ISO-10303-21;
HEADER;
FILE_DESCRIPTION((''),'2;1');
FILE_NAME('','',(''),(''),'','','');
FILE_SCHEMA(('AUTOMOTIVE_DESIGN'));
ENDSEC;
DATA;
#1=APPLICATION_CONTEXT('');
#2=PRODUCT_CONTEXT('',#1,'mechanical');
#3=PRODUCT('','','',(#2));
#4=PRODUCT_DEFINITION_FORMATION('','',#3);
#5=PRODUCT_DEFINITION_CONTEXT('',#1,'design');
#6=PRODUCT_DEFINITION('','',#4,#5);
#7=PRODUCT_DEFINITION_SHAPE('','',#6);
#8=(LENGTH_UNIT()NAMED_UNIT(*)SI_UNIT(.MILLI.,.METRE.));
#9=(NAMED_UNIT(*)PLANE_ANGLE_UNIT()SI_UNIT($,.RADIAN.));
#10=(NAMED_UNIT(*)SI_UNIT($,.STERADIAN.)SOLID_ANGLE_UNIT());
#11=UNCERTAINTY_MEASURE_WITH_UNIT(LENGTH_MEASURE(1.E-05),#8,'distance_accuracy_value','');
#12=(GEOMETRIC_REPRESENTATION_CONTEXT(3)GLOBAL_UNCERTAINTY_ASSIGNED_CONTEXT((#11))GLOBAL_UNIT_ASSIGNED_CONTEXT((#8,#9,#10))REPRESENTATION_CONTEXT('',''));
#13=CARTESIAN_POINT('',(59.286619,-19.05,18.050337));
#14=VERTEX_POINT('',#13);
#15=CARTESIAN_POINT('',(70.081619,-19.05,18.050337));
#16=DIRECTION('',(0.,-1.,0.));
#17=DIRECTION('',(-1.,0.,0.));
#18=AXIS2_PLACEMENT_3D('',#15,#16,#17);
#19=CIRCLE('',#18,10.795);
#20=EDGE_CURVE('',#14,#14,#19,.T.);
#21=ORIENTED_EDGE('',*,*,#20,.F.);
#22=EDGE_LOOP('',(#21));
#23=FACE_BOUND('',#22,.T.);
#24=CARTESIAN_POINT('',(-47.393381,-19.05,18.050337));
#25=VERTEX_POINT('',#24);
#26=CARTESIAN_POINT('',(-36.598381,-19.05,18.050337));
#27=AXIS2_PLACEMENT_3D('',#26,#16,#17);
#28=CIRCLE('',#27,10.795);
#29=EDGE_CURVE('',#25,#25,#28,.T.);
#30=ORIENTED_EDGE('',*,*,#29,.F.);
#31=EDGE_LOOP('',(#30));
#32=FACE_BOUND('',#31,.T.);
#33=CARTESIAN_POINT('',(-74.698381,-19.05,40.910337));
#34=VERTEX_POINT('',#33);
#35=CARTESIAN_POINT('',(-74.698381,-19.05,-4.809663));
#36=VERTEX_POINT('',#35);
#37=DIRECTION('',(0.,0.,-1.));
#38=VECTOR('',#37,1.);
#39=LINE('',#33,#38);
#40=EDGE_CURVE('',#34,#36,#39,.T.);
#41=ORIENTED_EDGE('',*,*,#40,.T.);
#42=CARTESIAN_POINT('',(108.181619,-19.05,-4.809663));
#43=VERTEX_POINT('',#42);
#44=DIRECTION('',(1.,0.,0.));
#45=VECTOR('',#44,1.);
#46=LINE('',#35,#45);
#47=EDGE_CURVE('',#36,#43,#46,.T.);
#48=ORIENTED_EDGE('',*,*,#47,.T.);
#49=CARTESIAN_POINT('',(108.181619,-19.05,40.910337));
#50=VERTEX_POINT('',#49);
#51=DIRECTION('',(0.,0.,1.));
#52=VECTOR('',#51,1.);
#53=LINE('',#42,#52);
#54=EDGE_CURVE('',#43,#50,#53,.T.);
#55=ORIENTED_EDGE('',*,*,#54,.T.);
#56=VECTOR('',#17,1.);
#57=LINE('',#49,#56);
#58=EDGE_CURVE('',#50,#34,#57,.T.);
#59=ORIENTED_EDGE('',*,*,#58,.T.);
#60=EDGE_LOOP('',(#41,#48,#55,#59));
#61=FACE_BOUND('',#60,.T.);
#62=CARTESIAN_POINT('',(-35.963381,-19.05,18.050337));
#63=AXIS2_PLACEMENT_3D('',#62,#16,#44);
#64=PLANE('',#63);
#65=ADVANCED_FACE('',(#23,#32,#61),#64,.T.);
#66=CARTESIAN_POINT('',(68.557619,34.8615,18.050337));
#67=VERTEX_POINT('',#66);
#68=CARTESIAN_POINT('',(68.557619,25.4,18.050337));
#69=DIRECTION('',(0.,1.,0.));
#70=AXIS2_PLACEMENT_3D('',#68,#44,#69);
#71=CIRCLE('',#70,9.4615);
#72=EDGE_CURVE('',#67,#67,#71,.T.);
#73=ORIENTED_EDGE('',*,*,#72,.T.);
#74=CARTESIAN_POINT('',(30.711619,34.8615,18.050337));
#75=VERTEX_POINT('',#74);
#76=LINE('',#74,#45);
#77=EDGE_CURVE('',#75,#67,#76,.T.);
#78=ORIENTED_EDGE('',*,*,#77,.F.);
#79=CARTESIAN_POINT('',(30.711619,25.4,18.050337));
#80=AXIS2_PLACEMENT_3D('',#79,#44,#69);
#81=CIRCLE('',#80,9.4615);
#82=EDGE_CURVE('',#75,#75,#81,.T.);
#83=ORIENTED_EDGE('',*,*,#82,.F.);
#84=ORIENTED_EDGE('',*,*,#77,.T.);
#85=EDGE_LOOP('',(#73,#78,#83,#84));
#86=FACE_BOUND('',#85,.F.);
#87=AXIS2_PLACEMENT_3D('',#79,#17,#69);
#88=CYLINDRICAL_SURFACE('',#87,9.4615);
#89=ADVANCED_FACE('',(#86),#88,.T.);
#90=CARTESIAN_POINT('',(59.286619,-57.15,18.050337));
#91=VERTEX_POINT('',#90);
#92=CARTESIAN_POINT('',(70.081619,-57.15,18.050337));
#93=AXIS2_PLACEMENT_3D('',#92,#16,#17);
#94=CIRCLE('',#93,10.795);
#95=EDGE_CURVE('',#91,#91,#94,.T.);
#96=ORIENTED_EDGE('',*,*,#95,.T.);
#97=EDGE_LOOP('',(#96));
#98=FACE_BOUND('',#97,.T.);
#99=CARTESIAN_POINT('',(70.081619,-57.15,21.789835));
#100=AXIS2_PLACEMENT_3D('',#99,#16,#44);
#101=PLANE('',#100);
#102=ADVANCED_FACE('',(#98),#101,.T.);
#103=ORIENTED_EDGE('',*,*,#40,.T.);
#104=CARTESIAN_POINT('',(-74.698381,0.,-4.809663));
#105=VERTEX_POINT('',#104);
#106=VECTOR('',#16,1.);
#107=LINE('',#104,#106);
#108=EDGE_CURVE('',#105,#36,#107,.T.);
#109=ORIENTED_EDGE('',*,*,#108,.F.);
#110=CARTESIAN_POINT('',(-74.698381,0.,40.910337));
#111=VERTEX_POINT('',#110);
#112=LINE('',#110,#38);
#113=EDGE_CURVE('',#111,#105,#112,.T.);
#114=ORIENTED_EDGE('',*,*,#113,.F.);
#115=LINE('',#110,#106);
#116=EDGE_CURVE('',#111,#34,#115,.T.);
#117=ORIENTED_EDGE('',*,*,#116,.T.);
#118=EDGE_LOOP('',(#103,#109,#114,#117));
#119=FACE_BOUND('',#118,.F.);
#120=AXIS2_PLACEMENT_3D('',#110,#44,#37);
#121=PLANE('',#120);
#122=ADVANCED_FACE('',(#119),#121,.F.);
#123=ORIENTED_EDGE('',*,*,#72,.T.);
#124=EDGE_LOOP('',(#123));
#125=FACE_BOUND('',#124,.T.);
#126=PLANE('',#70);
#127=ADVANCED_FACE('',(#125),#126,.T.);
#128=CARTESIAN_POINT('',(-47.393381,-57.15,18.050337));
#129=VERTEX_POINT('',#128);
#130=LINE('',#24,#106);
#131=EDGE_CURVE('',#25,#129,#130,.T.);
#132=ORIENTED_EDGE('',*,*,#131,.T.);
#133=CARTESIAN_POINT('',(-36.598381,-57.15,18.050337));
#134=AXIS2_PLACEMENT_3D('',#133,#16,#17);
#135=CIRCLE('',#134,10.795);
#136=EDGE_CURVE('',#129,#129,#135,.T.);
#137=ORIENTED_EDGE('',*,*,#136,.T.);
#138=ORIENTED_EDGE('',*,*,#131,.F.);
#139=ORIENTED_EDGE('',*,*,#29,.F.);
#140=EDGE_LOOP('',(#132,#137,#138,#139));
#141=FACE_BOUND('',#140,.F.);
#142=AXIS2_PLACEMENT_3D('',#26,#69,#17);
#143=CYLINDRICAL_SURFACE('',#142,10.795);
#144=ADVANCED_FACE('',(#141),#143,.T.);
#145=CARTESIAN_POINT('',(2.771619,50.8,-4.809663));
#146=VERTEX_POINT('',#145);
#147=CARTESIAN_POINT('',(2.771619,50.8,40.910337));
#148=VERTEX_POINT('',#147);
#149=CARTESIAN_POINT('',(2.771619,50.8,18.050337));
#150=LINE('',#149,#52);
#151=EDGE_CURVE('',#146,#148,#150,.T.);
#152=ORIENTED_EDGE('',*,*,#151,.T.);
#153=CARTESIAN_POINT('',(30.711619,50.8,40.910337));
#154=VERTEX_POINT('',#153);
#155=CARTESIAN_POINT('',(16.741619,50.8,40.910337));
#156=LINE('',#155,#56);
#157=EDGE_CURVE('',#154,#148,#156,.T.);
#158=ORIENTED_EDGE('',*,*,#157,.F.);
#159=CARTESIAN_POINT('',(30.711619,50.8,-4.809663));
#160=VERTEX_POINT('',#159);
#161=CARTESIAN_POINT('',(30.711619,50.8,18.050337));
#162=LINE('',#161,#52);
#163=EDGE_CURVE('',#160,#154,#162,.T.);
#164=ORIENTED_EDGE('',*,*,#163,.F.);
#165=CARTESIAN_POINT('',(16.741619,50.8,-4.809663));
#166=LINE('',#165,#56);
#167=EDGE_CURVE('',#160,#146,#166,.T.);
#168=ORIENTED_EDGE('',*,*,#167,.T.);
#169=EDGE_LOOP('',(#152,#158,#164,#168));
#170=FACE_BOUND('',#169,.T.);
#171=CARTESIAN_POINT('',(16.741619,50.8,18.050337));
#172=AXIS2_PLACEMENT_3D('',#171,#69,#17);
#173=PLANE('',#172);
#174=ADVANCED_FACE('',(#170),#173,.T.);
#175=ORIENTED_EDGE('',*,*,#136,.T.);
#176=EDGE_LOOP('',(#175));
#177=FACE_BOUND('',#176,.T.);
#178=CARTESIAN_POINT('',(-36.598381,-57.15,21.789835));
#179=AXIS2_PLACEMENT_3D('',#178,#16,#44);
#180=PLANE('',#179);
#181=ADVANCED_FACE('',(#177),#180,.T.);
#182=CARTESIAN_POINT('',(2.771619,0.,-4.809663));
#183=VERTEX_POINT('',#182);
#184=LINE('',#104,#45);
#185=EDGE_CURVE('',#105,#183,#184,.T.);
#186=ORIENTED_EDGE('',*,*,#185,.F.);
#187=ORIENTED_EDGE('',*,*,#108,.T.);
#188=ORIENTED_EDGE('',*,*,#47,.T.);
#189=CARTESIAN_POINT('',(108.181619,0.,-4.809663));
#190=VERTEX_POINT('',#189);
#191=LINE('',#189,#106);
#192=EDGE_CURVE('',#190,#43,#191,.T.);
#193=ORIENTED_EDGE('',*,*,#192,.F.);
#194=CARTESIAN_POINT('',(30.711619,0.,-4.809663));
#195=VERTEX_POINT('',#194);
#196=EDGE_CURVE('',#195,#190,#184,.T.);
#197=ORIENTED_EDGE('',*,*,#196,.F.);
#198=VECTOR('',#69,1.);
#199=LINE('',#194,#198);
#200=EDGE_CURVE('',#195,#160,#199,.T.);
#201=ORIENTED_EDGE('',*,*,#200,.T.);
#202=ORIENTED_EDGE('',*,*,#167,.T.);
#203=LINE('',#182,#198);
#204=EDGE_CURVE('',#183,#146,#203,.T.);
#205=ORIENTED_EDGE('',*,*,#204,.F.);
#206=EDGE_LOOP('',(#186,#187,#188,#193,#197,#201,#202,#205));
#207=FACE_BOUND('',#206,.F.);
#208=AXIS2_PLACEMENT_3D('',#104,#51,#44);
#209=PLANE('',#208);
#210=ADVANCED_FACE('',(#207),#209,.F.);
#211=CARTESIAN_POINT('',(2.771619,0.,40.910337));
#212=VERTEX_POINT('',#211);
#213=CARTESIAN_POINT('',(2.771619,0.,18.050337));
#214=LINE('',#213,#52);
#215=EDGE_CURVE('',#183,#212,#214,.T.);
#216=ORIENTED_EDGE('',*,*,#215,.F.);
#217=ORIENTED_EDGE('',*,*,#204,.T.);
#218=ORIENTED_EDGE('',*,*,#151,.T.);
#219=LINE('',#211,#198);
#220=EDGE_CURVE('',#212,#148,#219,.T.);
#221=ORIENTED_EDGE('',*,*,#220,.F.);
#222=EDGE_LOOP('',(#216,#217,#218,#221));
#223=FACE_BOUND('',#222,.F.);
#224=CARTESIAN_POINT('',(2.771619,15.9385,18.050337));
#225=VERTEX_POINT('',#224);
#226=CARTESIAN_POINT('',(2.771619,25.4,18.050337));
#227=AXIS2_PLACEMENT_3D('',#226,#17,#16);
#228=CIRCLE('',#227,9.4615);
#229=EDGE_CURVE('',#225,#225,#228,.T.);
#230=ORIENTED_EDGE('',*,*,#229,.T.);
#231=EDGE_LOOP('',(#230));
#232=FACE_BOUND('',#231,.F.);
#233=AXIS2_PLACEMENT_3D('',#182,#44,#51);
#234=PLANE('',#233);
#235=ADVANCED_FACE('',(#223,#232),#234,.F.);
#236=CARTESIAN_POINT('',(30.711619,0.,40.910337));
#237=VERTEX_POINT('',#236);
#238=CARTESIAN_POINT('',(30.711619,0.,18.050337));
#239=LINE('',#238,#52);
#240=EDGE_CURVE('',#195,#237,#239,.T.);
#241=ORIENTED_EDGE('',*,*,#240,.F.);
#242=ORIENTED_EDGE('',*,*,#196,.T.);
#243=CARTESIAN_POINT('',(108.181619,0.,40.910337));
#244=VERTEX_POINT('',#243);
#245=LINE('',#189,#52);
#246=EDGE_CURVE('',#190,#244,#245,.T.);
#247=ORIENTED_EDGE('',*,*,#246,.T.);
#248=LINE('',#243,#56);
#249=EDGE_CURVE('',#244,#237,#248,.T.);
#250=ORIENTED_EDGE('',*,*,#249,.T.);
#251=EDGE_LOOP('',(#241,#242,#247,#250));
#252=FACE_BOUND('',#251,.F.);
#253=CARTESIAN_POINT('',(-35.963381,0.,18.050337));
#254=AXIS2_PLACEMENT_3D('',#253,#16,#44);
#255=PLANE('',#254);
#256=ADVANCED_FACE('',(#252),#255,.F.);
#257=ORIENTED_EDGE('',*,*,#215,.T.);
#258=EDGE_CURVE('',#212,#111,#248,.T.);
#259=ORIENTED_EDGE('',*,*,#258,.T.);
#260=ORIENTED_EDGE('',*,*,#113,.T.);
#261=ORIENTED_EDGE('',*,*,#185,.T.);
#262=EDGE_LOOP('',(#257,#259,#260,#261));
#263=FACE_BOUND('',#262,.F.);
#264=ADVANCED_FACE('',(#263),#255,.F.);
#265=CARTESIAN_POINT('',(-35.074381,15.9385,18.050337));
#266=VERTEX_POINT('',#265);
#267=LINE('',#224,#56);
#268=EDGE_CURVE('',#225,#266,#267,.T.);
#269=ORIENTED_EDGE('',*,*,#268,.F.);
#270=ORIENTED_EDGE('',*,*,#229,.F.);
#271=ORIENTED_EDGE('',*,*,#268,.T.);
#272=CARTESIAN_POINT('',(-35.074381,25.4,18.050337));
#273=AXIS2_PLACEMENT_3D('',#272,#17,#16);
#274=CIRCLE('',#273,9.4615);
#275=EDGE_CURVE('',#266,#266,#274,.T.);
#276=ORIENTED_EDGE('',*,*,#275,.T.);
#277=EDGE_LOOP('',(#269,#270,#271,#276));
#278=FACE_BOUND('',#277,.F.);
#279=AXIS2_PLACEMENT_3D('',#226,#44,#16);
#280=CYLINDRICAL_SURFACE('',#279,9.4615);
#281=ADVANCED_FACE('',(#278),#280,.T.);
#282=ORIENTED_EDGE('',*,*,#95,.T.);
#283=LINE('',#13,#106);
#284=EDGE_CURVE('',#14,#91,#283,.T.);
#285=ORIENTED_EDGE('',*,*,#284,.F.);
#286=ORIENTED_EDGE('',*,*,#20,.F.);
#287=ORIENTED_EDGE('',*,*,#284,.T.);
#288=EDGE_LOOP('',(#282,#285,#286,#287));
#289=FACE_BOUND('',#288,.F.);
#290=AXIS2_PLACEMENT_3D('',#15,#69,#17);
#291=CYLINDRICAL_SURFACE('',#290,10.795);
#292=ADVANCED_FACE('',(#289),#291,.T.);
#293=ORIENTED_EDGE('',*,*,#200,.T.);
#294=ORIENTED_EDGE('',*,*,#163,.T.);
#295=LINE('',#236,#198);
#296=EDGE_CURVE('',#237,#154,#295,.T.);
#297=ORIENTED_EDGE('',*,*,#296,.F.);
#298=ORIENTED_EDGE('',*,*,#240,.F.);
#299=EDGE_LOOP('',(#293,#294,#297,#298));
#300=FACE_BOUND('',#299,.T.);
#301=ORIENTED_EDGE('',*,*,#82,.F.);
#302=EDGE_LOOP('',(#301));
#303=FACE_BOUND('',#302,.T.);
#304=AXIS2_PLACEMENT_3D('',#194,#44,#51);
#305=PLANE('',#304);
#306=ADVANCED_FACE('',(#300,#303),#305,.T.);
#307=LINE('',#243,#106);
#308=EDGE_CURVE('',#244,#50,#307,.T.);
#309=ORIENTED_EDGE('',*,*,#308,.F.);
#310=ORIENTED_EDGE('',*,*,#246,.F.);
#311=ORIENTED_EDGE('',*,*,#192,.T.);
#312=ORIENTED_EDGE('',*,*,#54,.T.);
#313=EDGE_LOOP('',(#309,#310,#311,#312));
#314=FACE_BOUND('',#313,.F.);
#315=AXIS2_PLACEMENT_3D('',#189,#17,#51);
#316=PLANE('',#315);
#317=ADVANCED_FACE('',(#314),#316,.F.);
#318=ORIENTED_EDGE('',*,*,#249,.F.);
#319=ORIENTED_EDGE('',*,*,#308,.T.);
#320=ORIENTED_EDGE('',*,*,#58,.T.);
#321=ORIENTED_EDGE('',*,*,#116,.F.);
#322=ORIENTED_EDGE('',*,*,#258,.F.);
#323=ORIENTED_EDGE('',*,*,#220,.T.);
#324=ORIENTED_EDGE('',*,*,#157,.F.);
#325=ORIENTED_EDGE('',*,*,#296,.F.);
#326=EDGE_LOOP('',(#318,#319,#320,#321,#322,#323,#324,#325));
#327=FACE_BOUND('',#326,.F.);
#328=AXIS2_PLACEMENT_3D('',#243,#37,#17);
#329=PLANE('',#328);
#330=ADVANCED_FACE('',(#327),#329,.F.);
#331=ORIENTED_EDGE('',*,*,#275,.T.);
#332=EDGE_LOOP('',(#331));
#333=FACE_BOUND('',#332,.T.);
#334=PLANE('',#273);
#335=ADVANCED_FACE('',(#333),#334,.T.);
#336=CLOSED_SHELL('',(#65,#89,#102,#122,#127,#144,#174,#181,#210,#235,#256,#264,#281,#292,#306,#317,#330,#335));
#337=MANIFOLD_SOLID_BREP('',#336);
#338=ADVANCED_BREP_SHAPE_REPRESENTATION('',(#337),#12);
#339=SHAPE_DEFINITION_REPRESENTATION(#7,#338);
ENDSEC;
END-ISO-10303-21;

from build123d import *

# Parameters (mm, degrees)
F0_W     = 27.94
F0_H     = 45.72
F1_DEPTH = 19.05
F2_W     = 27.94
F2_H     = 45.72
F3_DEPTH = 50.8
F5_R     = 9.4615
F6_DEPTH = 37.846
F7_DEPTH = 37.846
F9_DEPTH = 38.1


with BuildPart() as f1:
    # F0 (on Front) → F1 (new body)
    with BuildSketch(Plane.XZ):
        Polygon((-8.658381, 40.910337), (-74.698381, 40.910337), (-74.698381, -4.809663), (2.771619, -4.809663), (2.771619, 40.910337), align=None)
        with Locations((16.741619, 18.050337)):
            Rectangle(F0_W, F0_H)
        Polygon((42.141619, 40.910337), (30.711619, 40.910337), (30.711619, -4.809663), (108.181619, -4.809663), (108.181619, 40.910337), align=None)
    extrude(amount=F1_DEPTH)

    # F2 (on face) → F3 (join)
    with BuildSketch(Plane(origin=(0, 0, 0), x_dir=(-1, 0, 0), z_dir=(0, 1, 0))):
        with Locations((-16.741619, 18.050337)):
            Rectangle(F2_W, F2_H)
    extrude(amount=F3_DEPTH)

    # F5 (on face) → F6 (join)
    with BuildSketch(Plane.YZ.offset(30.711619)):
        with Locations((25.4, 18.050337)):
            Circle(F5_R)
    extrude(amount=F6_DEPTH)

    # F4 (on face) → F7 (join)
    with BuildSketch(Plane(origin=(2.771619, 0, 0), x_dir=(0, -1, 0), z_dir=(-1, 0, 0))):
        with BuildLine():
            ThreePointArc((-34.8615, 18.050337), (-25.4, 8.588837), (-15.9385, 18.050337))
            ThreePointArc((-15.9385, 18.050337), (-25.4, 27.511837), (-34.8615, 18.050337))
        make_face()
    extrude(amount=F7_DEPTH)

    # F8 (on face) → F9 (join)
    with BuildSketch(Plane.XZ.offset(19.05)):
        with BuildLine():
            Line((-47.393381, 18.050337), (-36.598381, 18.050337))
            Line((-36.598381, 18.050337), (-25.803381, 18.050337))
            ThreePointArc((-25.803381, 18.050337), (-36.598381, 28.845337), (-47.393381, 18.050337))
        make_face()
        with BuildLine():
            Line((-25.803381, 18.050337), (-36.598381, 18.050337))
            Line((-36.598381, 18.050337), (-47.393381, 18.050337))
            ThreePointArc((-47.393381, 18.050337), (-36.598381, 7.255337), (-25.803381, 18.050337))
        make_face()
        with BuildLine():
            ThreePointArc((80.876619, 18.050337), (70.081619, 28.845337), (59.286619, 18.050337))
            Line((59.286619, 18.050337), (70.081619, 18.050337))
            Line((70.081619, 18.050337), (80.876619, 18.050337))
        make_face()
        with BuildLine():
            Line((70.081619, 18.050337), (59.286619, 18.050337))
            ThreePointArc((59.286619, 18.050337), (70.081619, 7.255337), (80.876619, 18.050337))
            Line((80.876619, 18.050337), (70.081619, 18.050337))
        make_face()
    extrude(amount=F9_DEPTH)


solid = f1.part
